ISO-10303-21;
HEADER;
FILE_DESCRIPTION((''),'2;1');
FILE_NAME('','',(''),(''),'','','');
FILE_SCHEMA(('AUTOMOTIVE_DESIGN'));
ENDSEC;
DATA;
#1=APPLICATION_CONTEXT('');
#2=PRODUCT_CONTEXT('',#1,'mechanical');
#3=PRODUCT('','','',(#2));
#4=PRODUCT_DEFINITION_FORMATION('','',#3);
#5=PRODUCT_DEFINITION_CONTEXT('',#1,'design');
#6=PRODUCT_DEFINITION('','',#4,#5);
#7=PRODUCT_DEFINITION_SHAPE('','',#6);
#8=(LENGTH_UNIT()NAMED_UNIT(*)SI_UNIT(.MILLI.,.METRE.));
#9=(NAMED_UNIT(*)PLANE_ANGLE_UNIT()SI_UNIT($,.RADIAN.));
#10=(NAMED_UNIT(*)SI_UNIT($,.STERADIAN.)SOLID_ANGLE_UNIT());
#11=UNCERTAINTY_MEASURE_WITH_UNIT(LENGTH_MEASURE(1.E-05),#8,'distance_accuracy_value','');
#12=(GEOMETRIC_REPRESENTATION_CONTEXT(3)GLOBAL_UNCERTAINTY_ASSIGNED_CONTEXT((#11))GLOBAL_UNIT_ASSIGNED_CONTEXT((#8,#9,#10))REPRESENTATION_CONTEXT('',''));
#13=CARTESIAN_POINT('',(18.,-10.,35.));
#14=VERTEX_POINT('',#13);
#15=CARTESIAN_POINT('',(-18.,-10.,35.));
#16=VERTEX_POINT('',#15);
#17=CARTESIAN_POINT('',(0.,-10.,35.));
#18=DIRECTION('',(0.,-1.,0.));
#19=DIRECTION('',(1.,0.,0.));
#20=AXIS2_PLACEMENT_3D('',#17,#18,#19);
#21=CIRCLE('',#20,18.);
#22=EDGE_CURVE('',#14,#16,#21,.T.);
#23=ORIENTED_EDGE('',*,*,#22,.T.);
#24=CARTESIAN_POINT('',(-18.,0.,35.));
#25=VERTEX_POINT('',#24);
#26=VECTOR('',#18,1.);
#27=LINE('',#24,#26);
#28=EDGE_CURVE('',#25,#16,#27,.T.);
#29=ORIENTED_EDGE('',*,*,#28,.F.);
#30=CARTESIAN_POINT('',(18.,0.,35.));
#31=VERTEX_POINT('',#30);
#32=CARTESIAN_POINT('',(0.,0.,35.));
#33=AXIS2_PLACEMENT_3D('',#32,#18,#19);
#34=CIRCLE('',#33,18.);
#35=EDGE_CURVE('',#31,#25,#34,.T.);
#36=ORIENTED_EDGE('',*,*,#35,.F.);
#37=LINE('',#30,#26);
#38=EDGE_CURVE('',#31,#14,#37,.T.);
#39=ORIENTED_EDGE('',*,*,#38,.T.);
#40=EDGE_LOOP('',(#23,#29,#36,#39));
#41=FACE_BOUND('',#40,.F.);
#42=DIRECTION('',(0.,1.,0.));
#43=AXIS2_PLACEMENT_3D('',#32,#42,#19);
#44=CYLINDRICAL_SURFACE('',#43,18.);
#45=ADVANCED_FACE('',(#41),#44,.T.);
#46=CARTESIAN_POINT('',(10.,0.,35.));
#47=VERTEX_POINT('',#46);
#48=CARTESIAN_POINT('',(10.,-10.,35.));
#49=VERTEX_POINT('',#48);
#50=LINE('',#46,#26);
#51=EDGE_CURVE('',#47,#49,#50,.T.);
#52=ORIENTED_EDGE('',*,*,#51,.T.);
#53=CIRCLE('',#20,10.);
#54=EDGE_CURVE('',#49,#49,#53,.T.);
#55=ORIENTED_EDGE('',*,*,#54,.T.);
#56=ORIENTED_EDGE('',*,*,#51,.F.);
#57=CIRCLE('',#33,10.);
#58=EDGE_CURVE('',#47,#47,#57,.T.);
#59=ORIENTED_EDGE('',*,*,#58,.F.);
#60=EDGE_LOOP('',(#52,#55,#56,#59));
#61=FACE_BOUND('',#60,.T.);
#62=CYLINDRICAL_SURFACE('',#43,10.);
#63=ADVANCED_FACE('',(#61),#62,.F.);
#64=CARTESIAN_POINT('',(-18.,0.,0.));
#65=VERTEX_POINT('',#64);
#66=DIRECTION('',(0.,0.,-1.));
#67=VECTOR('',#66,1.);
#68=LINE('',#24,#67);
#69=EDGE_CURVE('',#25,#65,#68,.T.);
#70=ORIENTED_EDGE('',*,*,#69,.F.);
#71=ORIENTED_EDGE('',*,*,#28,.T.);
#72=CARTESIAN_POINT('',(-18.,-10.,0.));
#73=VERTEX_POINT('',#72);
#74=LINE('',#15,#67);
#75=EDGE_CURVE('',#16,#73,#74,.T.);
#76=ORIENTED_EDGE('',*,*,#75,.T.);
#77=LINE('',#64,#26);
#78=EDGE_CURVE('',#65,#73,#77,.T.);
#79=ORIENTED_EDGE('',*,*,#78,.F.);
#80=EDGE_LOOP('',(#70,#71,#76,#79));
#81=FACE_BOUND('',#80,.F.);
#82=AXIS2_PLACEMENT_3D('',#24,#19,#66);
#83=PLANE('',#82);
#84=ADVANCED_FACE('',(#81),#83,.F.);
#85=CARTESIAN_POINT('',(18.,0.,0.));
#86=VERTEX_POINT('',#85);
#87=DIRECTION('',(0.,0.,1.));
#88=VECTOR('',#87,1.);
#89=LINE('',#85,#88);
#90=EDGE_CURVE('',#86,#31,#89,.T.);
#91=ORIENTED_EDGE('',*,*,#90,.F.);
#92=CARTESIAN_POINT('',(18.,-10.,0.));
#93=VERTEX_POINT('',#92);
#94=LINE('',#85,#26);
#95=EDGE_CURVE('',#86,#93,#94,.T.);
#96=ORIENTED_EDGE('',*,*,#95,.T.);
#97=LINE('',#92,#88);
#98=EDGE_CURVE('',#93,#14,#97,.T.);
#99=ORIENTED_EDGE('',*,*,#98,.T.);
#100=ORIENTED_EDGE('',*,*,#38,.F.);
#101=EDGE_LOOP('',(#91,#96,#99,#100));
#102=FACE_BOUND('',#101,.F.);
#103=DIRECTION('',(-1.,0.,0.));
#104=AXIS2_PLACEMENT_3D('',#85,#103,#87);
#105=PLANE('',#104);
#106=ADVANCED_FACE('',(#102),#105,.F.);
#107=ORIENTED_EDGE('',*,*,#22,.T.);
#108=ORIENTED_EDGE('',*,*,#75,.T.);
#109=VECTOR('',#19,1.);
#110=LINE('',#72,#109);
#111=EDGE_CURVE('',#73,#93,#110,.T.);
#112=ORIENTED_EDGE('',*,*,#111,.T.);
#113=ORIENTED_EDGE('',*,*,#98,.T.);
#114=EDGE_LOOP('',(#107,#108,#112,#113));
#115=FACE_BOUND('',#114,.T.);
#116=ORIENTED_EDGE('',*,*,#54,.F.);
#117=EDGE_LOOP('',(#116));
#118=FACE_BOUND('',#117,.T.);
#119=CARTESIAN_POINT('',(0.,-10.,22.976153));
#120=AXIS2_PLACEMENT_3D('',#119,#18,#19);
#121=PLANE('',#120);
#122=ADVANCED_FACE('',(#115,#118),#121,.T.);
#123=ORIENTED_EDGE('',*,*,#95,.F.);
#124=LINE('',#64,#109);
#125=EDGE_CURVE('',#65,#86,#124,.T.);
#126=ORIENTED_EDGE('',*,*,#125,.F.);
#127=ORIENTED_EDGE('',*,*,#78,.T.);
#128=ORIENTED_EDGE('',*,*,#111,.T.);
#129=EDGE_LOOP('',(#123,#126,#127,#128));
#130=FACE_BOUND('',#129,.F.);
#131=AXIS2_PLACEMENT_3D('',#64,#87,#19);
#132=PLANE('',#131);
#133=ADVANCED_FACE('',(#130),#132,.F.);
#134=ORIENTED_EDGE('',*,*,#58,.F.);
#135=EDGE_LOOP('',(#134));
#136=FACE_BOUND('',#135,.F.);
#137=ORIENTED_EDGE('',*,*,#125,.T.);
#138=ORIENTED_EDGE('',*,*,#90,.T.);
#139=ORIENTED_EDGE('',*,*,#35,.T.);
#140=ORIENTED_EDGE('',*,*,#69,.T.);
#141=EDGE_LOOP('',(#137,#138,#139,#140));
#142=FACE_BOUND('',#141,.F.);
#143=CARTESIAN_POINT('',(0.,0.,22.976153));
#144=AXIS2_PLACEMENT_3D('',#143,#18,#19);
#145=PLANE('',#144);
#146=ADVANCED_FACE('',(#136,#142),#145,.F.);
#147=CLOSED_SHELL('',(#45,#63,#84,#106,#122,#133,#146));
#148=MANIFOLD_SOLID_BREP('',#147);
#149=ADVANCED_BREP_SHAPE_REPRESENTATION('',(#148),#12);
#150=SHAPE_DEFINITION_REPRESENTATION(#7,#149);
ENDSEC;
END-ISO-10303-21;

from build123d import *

# Parameters (mm, degrees)
F0_R     = 10
F1_DEPTH = 10


with BuildPart() as f1:
    # F0 (on Front) → F1 (new body)
    with BuildSketch(Plane.XZ):
        with BuildLine():
            ThreePointArc((18, 35), (0, 53), (-18, 35))
            Line((-18, 35), (-18, 0))
            Line((-18, 0), (18, 0))
            Line((18, 0), (18, 35))
        make_face()
        with Locations((0, 35)):
            Circle(F0_R, mode=Mode.SUBTRACT)
    extrude(amount=F1_DEPTH)


solid = f1.part
